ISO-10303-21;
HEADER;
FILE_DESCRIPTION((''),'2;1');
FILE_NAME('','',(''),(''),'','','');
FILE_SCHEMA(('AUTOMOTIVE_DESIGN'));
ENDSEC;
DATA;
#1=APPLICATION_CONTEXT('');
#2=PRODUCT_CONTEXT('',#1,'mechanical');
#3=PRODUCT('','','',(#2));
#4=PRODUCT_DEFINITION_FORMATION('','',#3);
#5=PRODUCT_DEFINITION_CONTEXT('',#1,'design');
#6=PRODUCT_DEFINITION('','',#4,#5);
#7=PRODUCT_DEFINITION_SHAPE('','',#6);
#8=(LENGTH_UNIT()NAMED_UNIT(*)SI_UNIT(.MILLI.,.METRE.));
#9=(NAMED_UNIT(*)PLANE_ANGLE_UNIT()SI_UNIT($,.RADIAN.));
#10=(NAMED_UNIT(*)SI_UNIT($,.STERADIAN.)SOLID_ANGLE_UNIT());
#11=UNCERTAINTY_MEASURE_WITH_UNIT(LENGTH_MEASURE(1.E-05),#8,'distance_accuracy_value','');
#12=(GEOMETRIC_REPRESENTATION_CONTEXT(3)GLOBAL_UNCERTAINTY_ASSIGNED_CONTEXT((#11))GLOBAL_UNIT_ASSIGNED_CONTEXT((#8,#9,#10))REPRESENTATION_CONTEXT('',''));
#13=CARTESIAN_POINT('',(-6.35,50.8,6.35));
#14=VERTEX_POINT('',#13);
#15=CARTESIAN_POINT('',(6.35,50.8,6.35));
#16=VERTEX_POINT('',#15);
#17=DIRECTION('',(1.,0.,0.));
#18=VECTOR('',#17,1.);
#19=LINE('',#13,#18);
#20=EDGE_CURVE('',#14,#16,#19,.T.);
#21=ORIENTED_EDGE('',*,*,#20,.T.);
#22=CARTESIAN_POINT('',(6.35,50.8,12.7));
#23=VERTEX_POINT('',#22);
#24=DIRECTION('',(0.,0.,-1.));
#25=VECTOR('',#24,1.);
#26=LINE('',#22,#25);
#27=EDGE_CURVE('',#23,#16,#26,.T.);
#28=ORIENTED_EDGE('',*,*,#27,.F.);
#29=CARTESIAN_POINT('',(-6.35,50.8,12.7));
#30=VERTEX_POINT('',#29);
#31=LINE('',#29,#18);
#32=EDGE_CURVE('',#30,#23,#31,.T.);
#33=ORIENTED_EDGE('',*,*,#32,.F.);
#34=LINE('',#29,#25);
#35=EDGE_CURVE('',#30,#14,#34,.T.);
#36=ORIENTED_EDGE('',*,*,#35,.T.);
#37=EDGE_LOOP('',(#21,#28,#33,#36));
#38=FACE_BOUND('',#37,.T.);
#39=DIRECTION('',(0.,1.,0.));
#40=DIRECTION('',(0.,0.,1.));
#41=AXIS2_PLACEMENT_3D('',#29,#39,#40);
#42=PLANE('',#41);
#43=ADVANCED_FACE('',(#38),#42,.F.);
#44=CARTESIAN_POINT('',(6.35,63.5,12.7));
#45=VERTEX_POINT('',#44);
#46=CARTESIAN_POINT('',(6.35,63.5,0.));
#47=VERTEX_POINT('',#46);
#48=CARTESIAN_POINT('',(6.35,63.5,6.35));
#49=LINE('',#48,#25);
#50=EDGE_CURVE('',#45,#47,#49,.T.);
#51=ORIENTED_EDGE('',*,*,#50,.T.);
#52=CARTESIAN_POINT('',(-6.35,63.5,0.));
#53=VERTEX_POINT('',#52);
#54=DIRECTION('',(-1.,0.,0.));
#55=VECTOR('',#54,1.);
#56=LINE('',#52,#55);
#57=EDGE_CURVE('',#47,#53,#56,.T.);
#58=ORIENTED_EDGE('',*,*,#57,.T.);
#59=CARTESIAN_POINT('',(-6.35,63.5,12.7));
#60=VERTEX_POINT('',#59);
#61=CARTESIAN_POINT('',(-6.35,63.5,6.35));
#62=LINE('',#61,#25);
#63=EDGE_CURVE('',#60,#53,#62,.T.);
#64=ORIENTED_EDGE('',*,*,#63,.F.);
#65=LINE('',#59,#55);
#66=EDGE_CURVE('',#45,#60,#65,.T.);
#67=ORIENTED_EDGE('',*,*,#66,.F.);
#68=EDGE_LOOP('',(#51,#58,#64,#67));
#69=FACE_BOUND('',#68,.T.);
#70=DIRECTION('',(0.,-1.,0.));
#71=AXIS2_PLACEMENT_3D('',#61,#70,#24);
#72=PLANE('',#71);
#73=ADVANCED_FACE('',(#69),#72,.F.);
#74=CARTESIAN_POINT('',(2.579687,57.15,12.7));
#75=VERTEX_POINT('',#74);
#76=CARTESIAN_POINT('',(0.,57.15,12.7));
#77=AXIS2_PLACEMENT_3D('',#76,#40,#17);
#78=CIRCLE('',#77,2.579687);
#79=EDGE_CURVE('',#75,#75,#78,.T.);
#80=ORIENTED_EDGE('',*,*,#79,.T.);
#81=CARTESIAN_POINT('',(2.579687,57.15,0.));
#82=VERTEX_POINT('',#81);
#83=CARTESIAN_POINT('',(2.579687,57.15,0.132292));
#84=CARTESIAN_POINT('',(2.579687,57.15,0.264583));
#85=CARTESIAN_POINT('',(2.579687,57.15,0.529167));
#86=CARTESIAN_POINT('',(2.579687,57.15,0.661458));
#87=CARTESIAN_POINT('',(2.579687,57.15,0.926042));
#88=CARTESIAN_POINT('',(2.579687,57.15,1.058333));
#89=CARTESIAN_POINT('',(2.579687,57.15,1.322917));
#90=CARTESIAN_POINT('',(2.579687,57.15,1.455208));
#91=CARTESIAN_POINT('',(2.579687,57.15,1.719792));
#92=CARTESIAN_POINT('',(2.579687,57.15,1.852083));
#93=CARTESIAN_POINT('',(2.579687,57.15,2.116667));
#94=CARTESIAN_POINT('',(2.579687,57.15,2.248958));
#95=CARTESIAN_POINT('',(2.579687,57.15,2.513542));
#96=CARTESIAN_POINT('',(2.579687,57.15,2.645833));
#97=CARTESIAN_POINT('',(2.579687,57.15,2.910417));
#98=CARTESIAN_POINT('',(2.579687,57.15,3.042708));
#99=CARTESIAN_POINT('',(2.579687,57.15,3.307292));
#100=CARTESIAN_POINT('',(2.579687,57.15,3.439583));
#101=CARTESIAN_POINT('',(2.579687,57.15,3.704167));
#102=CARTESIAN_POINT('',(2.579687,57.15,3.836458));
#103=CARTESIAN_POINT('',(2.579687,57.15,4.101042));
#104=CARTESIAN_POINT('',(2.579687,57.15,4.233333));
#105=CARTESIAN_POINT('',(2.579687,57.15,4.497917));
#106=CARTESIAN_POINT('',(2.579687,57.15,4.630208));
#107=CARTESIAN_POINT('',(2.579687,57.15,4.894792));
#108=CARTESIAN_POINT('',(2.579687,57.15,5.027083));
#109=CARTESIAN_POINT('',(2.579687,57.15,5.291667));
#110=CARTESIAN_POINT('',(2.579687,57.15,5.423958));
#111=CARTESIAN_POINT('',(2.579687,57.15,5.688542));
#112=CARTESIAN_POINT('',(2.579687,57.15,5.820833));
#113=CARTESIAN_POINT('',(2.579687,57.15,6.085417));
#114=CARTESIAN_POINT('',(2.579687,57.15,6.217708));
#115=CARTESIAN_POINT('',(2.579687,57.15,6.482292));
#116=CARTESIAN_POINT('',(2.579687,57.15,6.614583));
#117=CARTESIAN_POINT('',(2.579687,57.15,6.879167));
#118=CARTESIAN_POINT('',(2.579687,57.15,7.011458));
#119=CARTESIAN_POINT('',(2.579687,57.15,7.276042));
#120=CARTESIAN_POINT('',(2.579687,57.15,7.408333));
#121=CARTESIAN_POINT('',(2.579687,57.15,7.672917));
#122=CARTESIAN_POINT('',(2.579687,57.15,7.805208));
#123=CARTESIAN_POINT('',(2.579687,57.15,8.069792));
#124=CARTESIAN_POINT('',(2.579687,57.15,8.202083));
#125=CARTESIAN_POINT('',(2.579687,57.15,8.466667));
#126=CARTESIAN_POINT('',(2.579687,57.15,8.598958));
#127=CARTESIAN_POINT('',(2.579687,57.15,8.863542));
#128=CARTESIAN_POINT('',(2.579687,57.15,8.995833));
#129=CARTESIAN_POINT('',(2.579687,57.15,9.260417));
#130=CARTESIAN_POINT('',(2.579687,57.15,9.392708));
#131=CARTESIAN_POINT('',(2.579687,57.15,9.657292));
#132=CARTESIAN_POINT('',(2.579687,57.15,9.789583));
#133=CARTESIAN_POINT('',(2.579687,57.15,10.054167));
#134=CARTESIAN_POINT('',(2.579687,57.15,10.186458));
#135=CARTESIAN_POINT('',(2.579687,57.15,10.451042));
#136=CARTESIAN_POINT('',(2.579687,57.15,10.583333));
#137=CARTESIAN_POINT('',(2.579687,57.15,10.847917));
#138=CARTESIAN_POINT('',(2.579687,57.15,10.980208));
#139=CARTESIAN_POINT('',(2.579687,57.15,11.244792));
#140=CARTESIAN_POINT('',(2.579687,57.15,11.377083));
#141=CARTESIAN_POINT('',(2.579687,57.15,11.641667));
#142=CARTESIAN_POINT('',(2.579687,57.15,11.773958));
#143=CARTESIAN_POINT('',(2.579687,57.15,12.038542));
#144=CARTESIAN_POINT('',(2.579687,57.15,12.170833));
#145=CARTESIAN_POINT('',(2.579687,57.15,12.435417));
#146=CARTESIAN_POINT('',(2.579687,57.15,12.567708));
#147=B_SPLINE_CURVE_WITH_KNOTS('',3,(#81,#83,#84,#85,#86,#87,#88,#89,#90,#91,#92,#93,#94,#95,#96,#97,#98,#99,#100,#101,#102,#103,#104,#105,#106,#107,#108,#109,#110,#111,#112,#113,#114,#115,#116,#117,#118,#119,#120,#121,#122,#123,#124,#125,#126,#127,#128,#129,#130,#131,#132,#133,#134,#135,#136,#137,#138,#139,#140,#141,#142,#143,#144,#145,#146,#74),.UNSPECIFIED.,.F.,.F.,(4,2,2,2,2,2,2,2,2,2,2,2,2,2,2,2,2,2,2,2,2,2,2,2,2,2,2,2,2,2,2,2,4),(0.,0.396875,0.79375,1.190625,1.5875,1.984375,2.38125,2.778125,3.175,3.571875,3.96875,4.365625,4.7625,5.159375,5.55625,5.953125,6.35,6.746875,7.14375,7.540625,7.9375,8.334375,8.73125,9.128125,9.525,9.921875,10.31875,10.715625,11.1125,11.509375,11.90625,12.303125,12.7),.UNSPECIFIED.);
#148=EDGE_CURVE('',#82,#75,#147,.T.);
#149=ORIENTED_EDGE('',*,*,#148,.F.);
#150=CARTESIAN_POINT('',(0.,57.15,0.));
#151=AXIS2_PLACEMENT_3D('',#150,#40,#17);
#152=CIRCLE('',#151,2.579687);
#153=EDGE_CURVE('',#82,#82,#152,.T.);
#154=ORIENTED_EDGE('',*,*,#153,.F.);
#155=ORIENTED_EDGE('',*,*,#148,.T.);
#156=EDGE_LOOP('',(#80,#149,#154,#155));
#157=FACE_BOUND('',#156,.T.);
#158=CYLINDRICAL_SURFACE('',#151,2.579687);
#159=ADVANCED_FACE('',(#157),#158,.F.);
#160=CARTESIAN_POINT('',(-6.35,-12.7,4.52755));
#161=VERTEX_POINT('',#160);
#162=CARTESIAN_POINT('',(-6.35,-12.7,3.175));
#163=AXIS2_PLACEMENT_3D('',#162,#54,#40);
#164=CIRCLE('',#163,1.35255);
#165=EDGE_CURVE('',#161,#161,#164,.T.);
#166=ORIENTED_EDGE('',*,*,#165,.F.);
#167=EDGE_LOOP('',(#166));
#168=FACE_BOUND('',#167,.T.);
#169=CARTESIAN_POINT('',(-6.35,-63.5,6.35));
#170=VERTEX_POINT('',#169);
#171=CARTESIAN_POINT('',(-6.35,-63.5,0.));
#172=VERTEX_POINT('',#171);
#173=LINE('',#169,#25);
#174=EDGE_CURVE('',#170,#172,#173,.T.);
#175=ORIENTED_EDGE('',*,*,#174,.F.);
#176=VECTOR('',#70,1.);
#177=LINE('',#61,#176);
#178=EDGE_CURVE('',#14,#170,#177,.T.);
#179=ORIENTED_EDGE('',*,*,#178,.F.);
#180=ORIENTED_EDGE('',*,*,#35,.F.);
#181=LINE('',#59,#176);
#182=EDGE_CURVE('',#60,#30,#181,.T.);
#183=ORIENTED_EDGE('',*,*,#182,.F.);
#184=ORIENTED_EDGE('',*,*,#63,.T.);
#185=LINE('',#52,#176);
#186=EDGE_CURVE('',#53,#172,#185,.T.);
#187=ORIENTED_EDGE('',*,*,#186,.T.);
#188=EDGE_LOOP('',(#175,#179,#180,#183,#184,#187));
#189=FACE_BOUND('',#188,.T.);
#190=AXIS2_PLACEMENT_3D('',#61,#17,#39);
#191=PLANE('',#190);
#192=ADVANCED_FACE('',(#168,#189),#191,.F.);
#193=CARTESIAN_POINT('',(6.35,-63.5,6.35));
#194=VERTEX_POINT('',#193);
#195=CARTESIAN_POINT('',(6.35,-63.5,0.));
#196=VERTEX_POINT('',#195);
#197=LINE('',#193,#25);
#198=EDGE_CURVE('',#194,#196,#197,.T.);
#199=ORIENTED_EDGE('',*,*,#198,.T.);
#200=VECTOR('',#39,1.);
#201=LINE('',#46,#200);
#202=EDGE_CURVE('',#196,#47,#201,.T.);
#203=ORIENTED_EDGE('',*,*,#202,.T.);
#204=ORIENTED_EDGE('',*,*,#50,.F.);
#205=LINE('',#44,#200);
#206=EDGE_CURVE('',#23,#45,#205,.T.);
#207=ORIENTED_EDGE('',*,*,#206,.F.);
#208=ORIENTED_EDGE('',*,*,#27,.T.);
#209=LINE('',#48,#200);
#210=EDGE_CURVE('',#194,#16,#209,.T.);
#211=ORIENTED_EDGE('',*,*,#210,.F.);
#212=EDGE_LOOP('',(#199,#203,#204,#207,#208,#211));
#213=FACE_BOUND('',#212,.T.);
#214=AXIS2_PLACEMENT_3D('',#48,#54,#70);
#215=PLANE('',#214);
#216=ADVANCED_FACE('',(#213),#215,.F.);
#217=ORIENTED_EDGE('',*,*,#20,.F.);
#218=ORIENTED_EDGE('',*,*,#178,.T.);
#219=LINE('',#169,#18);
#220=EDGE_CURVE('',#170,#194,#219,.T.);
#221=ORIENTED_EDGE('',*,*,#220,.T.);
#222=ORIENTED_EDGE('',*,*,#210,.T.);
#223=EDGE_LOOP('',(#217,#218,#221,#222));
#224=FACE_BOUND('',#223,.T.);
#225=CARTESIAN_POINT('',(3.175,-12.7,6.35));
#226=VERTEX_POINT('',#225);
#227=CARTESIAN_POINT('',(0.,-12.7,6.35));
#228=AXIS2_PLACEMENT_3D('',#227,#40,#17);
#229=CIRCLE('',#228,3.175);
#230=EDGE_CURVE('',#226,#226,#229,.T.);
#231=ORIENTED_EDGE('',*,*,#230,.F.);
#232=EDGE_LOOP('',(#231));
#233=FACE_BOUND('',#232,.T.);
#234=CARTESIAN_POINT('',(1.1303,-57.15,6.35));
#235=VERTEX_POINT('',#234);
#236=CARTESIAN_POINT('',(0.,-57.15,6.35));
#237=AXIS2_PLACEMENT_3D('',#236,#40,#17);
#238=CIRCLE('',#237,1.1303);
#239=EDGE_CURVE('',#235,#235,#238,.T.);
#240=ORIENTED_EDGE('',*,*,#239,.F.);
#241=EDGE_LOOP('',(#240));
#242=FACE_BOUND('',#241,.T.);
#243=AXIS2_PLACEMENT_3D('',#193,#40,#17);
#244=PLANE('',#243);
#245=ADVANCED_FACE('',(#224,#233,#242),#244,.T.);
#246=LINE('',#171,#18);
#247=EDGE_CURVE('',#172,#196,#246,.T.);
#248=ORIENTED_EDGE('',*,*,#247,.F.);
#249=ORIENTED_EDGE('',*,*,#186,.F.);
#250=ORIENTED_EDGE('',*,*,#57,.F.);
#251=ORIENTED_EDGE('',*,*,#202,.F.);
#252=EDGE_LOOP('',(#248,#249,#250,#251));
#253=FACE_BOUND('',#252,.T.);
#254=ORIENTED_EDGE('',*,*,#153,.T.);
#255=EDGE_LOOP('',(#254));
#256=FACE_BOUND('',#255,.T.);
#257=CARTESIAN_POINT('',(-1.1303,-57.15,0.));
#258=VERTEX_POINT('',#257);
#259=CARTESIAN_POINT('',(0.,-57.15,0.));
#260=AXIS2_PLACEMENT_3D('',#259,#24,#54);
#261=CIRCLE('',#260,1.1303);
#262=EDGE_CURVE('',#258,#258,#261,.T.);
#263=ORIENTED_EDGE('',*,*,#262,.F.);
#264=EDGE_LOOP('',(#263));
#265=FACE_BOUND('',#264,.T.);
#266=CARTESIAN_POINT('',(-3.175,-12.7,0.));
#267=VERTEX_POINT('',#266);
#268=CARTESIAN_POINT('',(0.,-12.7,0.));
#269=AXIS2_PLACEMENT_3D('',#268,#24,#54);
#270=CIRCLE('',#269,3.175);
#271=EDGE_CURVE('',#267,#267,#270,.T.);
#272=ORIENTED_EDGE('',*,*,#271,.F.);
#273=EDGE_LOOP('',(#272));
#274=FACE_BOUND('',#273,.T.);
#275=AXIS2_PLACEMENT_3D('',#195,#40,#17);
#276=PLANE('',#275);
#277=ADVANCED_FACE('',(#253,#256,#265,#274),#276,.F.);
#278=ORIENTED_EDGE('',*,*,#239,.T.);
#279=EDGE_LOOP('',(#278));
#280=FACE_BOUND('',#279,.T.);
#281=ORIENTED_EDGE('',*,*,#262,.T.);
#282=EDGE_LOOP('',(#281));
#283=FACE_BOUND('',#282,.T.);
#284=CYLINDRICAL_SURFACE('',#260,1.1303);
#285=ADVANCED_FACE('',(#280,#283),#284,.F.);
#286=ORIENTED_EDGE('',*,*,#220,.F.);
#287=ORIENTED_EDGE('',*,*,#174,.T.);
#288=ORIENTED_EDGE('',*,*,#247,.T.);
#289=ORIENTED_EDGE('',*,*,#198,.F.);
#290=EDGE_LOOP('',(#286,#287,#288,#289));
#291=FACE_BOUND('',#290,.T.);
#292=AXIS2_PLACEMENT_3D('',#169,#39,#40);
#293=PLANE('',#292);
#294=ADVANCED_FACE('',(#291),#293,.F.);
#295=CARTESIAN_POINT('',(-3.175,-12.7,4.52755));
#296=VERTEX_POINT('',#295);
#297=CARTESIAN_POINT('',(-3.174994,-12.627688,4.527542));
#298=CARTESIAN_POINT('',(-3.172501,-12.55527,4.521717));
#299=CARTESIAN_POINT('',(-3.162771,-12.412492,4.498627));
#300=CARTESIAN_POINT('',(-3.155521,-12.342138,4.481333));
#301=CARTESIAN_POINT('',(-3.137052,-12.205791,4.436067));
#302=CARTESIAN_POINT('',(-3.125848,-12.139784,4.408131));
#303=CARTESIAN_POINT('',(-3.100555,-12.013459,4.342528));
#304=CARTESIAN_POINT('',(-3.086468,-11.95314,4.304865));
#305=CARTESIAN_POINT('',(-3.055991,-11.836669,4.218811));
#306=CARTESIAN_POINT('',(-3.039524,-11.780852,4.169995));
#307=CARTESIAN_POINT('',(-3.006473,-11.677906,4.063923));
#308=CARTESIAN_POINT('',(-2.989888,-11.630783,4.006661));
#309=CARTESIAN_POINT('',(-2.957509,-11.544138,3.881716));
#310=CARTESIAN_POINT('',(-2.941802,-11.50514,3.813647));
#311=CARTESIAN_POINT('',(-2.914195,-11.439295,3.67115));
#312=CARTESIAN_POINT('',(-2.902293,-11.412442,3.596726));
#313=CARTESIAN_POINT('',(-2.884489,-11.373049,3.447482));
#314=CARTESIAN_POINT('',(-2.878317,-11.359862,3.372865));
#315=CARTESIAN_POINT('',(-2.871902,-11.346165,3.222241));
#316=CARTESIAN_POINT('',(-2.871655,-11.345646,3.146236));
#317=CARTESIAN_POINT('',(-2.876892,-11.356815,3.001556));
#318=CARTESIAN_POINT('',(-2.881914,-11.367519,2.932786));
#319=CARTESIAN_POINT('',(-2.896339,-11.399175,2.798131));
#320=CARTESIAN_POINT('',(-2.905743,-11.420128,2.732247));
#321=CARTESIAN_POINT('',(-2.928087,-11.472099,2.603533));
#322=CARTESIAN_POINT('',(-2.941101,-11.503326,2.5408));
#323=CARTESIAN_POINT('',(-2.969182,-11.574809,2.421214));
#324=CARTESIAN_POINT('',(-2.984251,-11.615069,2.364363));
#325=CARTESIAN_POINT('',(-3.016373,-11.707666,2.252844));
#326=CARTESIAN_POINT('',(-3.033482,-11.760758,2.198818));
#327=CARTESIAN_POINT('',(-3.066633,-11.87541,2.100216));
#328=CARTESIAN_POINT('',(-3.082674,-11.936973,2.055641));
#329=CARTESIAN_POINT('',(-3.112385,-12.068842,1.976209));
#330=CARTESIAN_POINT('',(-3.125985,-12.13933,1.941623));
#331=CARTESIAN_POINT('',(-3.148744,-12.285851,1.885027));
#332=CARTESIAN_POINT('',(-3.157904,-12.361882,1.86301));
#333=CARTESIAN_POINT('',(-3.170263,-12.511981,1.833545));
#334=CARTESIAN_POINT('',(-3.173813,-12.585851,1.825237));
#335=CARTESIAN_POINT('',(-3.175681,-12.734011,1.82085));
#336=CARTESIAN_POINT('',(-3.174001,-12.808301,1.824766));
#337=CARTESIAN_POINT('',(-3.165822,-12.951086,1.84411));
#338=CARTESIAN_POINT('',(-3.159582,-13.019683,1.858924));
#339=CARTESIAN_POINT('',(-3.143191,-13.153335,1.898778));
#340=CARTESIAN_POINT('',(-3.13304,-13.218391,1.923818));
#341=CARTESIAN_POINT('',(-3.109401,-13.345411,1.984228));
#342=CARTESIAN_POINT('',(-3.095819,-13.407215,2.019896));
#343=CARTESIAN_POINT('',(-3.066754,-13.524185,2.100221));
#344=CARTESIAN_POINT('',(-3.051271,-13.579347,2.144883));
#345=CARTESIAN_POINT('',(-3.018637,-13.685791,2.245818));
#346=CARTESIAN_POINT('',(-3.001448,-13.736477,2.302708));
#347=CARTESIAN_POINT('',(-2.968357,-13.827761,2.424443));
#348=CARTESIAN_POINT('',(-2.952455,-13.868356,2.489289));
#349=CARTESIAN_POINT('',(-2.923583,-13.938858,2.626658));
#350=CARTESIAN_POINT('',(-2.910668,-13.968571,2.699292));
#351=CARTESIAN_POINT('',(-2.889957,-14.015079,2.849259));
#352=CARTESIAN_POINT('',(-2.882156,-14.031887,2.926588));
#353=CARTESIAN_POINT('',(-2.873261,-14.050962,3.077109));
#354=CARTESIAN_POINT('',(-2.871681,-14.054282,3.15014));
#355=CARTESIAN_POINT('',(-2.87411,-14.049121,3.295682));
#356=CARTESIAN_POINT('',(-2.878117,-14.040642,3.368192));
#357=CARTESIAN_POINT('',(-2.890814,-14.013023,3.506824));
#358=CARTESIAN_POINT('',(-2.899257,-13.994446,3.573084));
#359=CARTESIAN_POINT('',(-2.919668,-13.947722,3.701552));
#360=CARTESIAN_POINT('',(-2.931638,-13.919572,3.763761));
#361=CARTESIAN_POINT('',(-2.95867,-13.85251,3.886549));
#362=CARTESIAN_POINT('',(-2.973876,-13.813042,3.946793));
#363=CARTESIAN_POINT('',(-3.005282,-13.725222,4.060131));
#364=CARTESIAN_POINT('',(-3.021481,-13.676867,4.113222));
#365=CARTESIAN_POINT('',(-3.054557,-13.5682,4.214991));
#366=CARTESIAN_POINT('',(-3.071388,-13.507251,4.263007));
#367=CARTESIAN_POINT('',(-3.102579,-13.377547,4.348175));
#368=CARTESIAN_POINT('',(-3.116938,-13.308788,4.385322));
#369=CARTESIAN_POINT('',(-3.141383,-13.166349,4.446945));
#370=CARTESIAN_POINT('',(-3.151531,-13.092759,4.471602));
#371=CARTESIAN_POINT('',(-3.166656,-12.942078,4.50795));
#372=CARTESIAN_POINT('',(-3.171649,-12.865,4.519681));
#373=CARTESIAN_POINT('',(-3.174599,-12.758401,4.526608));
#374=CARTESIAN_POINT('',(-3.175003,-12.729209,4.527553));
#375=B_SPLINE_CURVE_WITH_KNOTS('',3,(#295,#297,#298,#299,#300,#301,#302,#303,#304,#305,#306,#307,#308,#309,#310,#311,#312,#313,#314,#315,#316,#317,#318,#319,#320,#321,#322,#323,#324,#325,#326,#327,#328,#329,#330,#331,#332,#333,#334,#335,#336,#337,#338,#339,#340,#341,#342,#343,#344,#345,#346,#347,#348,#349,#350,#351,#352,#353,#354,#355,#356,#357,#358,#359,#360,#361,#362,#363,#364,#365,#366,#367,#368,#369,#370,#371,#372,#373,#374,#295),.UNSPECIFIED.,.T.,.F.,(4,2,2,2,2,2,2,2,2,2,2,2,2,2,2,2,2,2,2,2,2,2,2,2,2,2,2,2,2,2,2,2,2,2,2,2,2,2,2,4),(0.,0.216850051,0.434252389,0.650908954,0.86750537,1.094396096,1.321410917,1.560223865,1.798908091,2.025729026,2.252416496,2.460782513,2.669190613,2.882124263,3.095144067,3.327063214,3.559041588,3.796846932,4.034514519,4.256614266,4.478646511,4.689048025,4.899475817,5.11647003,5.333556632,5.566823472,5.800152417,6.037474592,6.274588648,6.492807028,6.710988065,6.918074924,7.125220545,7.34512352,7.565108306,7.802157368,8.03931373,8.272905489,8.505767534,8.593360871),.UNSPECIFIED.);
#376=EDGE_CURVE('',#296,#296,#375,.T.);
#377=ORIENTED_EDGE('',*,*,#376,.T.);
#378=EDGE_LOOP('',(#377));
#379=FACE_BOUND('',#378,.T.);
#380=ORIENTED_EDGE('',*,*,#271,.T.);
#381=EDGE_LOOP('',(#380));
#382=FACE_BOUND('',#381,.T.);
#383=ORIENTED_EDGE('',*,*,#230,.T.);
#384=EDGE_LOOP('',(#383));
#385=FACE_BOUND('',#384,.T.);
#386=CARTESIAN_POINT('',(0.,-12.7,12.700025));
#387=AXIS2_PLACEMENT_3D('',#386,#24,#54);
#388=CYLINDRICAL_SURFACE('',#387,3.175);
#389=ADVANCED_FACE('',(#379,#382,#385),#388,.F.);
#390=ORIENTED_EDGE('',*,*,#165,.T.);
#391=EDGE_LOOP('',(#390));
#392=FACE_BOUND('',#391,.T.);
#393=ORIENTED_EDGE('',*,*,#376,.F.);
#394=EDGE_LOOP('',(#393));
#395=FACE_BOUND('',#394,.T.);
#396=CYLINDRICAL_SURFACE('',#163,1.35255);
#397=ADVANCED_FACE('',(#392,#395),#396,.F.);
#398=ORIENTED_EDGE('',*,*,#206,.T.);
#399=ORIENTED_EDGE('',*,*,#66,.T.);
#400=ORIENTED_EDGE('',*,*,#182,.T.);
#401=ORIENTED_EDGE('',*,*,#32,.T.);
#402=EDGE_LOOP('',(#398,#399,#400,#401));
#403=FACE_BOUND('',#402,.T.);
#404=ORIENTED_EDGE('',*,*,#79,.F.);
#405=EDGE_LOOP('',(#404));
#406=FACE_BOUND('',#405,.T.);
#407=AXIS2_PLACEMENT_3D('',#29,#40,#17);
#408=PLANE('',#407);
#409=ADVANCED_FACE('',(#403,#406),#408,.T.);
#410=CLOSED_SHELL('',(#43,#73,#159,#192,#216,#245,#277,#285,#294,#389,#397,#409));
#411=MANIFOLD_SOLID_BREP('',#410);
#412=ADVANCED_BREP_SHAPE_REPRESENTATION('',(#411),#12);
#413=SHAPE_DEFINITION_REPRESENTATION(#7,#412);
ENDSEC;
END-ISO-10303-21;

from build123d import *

# Parameters (mm, degrees)
SKETCH1_W                 = 12.7
SKETCH1_H                 = 127
BOSS_EXTRUDE1_DEPTH       = 6.35
SKETCH3_W                 = 12.7
SKETCH3_H                 = 12.7
BOSS_EXTRUDE2_DEPTH       = 6.35
SKETCH4_R                 = 3.175
CUT_EXTRUDE1_DEPTH        = 66.068137364
F_4_40_TAPPED_HOLE1_D     = 2.2606
SKETCH6_OUTSIDE_W         = 40.352
SKETCH6_OUTSIDE_H         = 154.652
SKETCH6_OUTSIDE_R         = 330.2
SKETCH6_OUTSIDE_R_2       = 2.5796875
CUT_EXTRUDE3_DEPTH        = 66.068137364
F_6_32_TAPPED_HOLE1_D     = 2.7051
F_6_32_TAPPED_HOLE1_DEPTH = 6.349
F_6_32_TAPPED_HOLE1_TIP   = 0.81269403


with BuildPart() as part:
    # Sketch1 → Boss-Extrude1 (new body)
    with BuildSketch(Plane.XY):
        Rectangle(SKETCH1_W, SKETCH1_H)
    extrude(amount=BOSS_EXTRUDE1_DEPTH)

    # Sketch3 → Boss-Extrude2 (add)
    with BuildSketch(Plane.XY.offset(6.35)):
        with Locations((0, 57.15)):
            Rectangle(SKETCH3_W, SKETCH3_H)
    extrude(amount=BOSS_EXTRUDE2_DEPTH)

    # Sketch4 → Cut-Extrude1 (cut, through all)
    with BuildSketch(Plane(origin=(0, 0, 0), x_dir=(-1, 0, 0), z_dir=(0, 0, -1))):
        with Locations((0, -12.7)):
            Circle(SKETCH4_R)
    extrude(amount=-CUT_EXTRUDE1_DEPTH, mode=Mode.SUBTRACT)

    # #4-40 Tapped Hole1 (through all)
    with Locations(Plane(origin=(0, -57.15, 0), x_dir=(-1, 0, 0), z_dir=(0, 0, -1))):
        with Locations((0, 0)):
            Hole(F_4_40_TAPPED_HOLE1_D / 2)

    # Sketch6 outside → Cut-Extrude3 (cut, through all)
    # profile 1 of 2: a face of its own
    with BuildSketch(Plane.XY.offset(12.7)):
        Rectangle(SKETCH6_OUTSIDE_W, SKETCH6_OUTSIDE_H)
        with Locations((0, 57.15)):
            Circle(SKETCH6_OUTSIDE_R, mode=Mode.SUBTRACT)
    # profile 2 of 2: a face of its own
    with BuildSketch(Plane.XY.offset(12.7)):
        with Locations((0, 57.15)):
            Circle(SKETCH6_OUTSIDE_R_2)
    extrude(amount=-CUT_EXTRUDE3_DEPTH, mode=Mode.SUBTRACT)

    # #6-32 Tapped Hole1
    with Locations(Plane.ZY.offset(6.35)):
        with Locations((3.175, -12.7)):
            Hole(F_6_32_TAPPED_HOLE1_D / 2, depth=F_6_32_TAPPED_HOLE1_DEPTH)
            with Locations((0, 0, -(F_6_32_TAPPED_HOLE1_DEPTH + F_6_32_TAPPED_HOLE1_TIP / 2))):  # 118° drill point
                Cone(0, F_6_32_TAPPED_HOLE1_D / 2, F_6_32_TAPPED_HOLE1_TIP, mode=Mode.SUBTRACT)


solid = part.part
